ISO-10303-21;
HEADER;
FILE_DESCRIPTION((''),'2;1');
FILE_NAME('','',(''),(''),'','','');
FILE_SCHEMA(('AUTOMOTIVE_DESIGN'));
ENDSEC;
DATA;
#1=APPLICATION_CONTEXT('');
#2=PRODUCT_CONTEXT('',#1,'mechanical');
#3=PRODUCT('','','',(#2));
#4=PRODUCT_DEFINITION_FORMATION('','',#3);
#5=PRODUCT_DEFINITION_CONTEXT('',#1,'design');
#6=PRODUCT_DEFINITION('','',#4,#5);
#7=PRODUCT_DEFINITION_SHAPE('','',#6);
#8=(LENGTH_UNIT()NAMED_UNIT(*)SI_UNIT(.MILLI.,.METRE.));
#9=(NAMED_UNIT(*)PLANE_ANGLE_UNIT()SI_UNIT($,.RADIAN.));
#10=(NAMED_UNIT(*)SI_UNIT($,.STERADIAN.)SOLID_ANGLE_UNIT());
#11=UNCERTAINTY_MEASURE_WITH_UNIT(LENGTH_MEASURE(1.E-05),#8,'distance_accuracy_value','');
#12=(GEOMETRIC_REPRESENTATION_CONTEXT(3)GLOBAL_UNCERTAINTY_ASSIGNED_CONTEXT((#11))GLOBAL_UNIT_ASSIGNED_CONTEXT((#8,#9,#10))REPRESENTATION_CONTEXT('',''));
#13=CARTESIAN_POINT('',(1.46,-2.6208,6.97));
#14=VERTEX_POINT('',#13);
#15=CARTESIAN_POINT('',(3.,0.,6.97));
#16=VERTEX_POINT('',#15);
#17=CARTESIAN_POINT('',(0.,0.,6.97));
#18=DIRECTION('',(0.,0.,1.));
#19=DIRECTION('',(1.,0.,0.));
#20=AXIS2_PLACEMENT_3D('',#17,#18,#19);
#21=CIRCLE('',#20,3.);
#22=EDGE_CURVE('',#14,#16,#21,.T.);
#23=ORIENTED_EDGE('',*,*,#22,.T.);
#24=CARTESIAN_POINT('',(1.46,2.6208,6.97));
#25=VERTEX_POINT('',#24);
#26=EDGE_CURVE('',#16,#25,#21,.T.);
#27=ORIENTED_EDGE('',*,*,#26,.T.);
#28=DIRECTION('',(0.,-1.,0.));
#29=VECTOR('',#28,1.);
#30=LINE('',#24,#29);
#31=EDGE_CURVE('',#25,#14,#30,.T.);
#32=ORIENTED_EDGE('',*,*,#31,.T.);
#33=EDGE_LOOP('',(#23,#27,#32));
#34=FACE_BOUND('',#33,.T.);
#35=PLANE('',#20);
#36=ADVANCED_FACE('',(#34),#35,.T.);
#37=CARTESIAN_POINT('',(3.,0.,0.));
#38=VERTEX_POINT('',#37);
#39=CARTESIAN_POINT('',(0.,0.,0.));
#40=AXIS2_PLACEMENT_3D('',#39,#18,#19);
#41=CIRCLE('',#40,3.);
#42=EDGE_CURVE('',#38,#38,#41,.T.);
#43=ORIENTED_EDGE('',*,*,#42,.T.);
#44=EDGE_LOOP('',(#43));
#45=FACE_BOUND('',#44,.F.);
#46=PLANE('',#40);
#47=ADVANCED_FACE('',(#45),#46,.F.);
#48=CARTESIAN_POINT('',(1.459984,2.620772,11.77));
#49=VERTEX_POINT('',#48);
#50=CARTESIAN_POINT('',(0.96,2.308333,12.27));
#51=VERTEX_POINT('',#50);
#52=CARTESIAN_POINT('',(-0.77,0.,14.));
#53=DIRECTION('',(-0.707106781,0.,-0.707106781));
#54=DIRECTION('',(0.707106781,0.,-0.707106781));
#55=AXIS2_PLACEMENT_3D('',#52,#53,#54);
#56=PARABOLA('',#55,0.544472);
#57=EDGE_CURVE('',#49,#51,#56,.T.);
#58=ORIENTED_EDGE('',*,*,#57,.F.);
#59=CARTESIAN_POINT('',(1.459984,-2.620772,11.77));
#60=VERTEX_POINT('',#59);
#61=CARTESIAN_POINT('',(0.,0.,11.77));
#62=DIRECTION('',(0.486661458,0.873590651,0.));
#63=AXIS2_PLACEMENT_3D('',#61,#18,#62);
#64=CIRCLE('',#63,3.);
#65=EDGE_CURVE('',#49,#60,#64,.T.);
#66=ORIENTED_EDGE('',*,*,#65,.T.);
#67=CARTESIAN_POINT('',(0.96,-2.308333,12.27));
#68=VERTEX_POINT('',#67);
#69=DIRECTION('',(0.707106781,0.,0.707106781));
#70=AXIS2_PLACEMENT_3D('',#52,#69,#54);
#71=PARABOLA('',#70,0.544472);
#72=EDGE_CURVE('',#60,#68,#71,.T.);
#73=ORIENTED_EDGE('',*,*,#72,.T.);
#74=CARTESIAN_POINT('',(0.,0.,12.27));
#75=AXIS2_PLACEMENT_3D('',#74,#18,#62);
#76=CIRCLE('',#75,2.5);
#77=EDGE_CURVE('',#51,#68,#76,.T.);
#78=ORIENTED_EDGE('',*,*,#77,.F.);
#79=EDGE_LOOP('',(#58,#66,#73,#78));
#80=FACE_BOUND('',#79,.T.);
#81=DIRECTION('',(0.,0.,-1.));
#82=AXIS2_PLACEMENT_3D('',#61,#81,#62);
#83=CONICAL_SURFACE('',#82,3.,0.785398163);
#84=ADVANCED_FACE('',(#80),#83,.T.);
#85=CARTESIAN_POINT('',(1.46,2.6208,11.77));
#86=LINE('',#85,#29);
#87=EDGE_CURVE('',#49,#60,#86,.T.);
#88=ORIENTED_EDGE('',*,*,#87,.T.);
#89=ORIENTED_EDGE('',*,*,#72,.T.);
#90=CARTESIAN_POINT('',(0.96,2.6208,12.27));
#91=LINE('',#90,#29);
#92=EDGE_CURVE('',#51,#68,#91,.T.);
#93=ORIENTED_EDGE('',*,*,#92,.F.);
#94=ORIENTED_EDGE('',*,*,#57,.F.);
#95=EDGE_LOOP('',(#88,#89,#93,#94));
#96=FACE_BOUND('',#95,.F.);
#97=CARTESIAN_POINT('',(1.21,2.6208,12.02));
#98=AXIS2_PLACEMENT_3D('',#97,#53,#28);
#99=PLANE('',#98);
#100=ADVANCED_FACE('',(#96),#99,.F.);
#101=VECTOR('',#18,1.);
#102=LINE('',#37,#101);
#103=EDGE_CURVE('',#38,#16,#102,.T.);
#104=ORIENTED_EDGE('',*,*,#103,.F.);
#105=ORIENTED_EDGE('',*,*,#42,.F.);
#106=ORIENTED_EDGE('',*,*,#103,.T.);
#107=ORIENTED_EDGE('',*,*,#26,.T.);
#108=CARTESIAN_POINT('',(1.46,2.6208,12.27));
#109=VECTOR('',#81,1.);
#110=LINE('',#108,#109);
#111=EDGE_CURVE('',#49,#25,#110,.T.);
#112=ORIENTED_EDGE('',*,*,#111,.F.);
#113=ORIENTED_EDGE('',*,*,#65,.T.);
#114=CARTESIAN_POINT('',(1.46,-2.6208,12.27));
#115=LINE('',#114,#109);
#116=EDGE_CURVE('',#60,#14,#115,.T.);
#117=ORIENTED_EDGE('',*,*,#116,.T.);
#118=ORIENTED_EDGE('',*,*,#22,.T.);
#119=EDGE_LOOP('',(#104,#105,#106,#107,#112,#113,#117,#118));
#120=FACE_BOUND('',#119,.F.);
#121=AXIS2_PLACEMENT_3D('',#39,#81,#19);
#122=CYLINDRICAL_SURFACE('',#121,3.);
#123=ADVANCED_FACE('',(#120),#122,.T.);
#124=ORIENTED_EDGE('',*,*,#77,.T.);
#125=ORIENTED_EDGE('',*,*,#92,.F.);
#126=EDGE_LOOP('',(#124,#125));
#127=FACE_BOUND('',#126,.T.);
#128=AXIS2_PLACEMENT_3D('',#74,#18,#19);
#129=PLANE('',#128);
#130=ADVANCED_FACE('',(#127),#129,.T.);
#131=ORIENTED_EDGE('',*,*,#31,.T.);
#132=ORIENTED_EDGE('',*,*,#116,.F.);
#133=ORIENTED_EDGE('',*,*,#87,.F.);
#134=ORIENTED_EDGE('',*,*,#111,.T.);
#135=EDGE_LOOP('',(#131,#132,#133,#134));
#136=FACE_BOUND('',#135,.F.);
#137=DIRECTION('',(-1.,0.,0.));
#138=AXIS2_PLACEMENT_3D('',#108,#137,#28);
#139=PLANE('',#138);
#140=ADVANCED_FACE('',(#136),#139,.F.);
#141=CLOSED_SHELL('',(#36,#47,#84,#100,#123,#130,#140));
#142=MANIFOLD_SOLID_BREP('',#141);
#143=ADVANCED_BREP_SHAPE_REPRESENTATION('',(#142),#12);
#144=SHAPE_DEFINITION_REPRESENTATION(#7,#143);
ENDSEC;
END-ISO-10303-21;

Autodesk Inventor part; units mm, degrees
ref_plane "YZ Plane" through (0, 0, 0) normal (1, 0, 0) x (0, 1, 0)
ref_plane "XZ Plane" through (0, 0, 0) normal (0, 1, 0) x (-1, 0, 0)
ref_plane "XY Plane" through (0, 0, 0) normal (0, 0, 1) x (1, 0, 0)
sketch "Sketch1" plane through (0, 0, 0) normal (0, 0, 1) x (1, 0, 0)
  circle A0 centre (0, 0) radius 3
  dimension "d0" = 6
extrude "Extrusion1" add sketch "Sketch1" along normal blind 12.27
sketch "Sketch2" plane through (0, 0, 12.27) normal (0, 0, 1) x (1, 0, 0)
  line L0 (1.46, 2.6208) -> (1.46, -2.6208)
  circle A0 centre (0, 0) radius 3 projected
  point P0 (-3, 0)
  dimension "d3" = 4.46
extrude "Extrusion2" cut sketch "Sketch2" against normal blind 5.3 contours A0 L0 picked at (2.441, 0.367)
chamfer "Chamfer1" distance 0.5 angle 45 2 edges at (-3, 0, 12.27) (1.46, 0, 12.27)
properties part number "PEC12R-4017F-N0024 Shaft"
